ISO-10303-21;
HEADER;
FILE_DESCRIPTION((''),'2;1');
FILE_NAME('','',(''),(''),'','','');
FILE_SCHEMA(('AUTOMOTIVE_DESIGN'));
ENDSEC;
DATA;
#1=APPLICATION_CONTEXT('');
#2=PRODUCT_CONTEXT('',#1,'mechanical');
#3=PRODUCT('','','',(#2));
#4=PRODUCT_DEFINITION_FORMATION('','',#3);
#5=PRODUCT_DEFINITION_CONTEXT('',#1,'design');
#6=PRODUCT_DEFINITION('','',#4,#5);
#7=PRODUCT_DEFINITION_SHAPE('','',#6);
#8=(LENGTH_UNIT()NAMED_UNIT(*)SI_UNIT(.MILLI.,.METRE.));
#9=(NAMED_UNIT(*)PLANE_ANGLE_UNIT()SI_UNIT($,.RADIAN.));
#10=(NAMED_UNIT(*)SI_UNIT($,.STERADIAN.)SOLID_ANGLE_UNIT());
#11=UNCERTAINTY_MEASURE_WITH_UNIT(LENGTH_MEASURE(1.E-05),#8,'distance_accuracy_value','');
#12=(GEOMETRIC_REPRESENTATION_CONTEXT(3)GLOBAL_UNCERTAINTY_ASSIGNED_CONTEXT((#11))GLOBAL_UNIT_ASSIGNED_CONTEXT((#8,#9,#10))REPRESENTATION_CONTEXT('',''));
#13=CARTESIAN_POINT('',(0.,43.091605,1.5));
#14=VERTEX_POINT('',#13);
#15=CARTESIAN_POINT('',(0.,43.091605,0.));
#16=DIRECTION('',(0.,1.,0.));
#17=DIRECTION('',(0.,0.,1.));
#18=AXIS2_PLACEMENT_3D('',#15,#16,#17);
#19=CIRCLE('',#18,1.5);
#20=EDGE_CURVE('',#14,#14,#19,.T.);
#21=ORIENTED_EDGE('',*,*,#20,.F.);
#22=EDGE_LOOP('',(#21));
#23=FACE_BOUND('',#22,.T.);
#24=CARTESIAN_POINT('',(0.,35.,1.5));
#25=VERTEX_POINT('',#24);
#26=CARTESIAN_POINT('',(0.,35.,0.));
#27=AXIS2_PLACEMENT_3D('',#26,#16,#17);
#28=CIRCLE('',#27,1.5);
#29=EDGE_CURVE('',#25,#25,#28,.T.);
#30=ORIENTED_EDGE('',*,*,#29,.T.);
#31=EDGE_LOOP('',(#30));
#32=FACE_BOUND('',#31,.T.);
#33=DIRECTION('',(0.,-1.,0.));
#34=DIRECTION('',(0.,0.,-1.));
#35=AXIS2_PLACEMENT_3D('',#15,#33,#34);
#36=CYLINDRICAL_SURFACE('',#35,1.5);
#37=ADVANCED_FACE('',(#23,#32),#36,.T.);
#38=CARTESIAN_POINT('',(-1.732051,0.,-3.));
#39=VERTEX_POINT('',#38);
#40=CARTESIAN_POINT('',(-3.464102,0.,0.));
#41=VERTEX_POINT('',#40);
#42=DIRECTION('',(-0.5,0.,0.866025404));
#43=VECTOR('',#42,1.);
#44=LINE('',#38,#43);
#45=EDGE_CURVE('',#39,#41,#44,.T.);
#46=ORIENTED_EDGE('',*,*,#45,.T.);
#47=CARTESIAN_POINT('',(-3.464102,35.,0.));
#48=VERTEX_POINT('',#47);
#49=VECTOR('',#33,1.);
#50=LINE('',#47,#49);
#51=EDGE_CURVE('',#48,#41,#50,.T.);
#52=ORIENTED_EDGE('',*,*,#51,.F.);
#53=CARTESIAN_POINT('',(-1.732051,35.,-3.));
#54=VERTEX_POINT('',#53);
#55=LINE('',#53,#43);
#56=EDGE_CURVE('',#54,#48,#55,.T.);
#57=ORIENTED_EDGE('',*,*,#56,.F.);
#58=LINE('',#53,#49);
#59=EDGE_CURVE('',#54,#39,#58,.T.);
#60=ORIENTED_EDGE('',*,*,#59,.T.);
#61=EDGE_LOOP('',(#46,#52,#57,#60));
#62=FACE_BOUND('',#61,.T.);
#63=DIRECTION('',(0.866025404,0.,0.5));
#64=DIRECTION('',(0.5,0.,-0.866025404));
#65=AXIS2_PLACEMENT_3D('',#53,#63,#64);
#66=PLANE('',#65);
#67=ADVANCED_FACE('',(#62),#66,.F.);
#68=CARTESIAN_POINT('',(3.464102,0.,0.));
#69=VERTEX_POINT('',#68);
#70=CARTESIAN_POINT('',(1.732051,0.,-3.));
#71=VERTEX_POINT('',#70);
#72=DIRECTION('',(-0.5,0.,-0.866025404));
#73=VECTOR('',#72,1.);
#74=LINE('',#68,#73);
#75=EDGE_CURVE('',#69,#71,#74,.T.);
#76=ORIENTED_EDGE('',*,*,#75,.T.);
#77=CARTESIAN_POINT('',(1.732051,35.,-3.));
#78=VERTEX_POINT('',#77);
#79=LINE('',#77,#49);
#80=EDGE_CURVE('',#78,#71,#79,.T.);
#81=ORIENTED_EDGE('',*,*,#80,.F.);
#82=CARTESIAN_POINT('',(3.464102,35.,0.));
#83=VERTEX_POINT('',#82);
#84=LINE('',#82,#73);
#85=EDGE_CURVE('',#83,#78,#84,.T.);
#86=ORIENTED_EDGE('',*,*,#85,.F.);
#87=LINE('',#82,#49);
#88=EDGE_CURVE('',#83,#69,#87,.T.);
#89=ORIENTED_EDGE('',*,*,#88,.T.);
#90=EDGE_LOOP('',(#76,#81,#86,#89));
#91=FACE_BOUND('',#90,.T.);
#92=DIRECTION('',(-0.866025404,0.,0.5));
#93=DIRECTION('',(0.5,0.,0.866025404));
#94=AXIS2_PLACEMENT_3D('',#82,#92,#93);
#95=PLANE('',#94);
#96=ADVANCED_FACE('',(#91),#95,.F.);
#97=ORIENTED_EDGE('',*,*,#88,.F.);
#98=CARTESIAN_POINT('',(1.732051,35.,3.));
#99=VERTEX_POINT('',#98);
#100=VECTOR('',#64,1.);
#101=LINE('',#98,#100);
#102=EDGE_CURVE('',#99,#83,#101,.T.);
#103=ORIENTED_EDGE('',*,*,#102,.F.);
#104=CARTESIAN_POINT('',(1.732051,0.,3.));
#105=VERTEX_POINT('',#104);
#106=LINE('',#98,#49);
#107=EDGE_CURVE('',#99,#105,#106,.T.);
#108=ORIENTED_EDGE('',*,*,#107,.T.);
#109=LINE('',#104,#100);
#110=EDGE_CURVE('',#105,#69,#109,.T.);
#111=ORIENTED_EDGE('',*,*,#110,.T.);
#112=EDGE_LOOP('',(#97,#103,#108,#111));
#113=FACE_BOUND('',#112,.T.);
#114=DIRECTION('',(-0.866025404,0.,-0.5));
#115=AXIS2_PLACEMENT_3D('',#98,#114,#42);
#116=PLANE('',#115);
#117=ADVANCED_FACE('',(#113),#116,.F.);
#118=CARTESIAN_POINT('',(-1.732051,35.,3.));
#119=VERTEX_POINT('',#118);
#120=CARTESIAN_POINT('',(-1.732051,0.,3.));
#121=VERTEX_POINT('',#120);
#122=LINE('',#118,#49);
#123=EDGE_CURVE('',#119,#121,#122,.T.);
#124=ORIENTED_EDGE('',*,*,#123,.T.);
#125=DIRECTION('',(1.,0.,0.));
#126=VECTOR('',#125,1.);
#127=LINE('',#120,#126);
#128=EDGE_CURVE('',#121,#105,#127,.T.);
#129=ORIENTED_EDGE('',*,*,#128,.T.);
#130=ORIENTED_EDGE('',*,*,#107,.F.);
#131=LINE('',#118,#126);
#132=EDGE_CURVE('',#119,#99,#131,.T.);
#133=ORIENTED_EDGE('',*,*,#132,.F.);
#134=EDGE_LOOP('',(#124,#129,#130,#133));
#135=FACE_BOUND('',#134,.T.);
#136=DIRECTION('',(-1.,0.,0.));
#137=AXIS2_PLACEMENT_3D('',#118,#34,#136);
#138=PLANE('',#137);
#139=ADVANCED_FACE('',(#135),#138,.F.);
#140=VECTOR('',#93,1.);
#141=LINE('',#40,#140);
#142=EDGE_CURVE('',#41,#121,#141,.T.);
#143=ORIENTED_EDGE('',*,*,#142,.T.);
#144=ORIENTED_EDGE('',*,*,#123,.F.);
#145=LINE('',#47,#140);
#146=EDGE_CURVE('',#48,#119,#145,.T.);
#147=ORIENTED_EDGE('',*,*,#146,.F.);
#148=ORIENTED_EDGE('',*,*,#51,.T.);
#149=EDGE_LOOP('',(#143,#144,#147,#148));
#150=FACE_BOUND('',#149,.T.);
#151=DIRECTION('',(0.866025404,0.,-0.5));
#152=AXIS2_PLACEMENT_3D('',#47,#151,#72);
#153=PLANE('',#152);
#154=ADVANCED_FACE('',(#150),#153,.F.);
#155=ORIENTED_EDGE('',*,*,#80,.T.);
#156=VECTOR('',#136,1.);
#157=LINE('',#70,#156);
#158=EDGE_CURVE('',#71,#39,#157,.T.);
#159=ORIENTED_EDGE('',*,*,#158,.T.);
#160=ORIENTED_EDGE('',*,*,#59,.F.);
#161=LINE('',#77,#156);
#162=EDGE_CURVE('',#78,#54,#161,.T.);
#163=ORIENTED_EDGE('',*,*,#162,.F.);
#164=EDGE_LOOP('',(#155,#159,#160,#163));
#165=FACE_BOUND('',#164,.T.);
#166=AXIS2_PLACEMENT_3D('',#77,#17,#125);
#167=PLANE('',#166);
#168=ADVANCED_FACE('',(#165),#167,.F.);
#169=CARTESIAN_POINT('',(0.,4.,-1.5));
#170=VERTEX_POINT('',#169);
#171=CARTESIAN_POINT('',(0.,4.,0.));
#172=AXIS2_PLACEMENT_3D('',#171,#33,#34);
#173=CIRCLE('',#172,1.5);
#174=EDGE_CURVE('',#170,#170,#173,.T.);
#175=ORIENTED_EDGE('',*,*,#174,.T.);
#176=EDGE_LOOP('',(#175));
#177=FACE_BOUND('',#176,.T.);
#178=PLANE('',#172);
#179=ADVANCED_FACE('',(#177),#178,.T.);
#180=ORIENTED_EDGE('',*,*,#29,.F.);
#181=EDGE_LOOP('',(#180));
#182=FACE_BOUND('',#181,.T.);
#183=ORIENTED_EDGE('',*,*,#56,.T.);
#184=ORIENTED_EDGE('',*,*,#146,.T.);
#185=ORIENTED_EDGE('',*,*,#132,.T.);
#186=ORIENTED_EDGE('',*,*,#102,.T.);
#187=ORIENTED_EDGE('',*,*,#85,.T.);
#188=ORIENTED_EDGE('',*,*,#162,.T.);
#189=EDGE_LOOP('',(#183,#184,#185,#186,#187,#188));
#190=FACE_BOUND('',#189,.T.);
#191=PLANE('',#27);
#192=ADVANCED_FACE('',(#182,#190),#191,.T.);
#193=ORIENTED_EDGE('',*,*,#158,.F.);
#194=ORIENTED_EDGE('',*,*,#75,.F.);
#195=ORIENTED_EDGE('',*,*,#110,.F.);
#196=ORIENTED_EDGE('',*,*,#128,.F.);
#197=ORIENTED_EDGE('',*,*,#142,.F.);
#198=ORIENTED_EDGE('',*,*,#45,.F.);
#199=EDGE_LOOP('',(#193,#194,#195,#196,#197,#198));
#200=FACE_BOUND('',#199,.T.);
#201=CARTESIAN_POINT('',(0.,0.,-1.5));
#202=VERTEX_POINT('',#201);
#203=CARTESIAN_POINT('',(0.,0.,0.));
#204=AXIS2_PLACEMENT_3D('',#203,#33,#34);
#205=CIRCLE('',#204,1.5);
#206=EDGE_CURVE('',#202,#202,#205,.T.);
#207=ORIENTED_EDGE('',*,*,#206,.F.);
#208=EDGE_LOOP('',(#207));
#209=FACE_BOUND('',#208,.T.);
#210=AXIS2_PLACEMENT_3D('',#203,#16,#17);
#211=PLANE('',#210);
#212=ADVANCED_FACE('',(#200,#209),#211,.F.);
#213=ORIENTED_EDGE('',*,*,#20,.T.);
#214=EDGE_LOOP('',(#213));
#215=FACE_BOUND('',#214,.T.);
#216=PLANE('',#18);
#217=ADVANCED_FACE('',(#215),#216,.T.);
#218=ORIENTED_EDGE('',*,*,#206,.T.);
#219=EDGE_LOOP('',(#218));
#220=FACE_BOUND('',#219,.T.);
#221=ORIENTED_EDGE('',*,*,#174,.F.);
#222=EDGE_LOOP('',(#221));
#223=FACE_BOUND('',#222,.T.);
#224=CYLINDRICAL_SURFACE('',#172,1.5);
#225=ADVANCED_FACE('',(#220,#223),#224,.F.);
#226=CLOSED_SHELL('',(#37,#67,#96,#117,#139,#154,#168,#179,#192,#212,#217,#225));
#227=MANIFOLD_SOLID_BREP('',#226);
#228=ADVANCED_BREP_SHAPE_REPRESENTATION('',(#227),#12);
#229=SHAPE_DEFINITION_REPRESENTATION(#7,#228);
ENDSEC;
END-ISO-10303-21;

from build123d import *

# Parameters (mm, degrees)
BOSS_EXTRUDE1_DEPTH = 35
SKETCH5_R           = 1.5
BOSS_EXTRUDE2_DEPTH = 8.091605471
SKETCH6_R           = 1.5
CUT_EXTRUDE1_DEPTH  = 4


with BuildPart() as part:
    # Sketch3 → Boss-Extrude1 (new body)
    with BuildSketch(Plane(origin=(0, 0, 0), x_dir=(1, 0, 0), z_dir=(0, 1, 0))):
        Polygon((-3.464101615, 0), (-1.732050808, -3), (1.732050808, -3), (3.464101615, 0), (1.732050808, 3), (-1.732050808, 3), align=None)
    extrude(amount=BOSS_EXTRUDE1_DEPTH)

    # Sketch5 → Boss-Extrude2 (add)
    with BuildSketch(Plane(origin=(0, 35, 0), x_dir=(1, 0, 0), z_dir=(0, 1, 0))):
        with Locations(Location((0, 0, 0), (0, 0, 270))):
            Circle(SKETCH5_R)
    extrude(amount=BOSS_EXTRUDE2_DEPTH)

    # Sketch6 → Cut-Extrude1 (cut)
    with BuildSketch(Plane.XZ):
        with Locations(Location((0, 0, 0), (0, 0, 90))):
            Circle(SKETCH6_R)
    extrude(amount=-CUT_EXTRUDE1_DEPTH, mode=Mode.SUBTRACT)


solid = part.part
